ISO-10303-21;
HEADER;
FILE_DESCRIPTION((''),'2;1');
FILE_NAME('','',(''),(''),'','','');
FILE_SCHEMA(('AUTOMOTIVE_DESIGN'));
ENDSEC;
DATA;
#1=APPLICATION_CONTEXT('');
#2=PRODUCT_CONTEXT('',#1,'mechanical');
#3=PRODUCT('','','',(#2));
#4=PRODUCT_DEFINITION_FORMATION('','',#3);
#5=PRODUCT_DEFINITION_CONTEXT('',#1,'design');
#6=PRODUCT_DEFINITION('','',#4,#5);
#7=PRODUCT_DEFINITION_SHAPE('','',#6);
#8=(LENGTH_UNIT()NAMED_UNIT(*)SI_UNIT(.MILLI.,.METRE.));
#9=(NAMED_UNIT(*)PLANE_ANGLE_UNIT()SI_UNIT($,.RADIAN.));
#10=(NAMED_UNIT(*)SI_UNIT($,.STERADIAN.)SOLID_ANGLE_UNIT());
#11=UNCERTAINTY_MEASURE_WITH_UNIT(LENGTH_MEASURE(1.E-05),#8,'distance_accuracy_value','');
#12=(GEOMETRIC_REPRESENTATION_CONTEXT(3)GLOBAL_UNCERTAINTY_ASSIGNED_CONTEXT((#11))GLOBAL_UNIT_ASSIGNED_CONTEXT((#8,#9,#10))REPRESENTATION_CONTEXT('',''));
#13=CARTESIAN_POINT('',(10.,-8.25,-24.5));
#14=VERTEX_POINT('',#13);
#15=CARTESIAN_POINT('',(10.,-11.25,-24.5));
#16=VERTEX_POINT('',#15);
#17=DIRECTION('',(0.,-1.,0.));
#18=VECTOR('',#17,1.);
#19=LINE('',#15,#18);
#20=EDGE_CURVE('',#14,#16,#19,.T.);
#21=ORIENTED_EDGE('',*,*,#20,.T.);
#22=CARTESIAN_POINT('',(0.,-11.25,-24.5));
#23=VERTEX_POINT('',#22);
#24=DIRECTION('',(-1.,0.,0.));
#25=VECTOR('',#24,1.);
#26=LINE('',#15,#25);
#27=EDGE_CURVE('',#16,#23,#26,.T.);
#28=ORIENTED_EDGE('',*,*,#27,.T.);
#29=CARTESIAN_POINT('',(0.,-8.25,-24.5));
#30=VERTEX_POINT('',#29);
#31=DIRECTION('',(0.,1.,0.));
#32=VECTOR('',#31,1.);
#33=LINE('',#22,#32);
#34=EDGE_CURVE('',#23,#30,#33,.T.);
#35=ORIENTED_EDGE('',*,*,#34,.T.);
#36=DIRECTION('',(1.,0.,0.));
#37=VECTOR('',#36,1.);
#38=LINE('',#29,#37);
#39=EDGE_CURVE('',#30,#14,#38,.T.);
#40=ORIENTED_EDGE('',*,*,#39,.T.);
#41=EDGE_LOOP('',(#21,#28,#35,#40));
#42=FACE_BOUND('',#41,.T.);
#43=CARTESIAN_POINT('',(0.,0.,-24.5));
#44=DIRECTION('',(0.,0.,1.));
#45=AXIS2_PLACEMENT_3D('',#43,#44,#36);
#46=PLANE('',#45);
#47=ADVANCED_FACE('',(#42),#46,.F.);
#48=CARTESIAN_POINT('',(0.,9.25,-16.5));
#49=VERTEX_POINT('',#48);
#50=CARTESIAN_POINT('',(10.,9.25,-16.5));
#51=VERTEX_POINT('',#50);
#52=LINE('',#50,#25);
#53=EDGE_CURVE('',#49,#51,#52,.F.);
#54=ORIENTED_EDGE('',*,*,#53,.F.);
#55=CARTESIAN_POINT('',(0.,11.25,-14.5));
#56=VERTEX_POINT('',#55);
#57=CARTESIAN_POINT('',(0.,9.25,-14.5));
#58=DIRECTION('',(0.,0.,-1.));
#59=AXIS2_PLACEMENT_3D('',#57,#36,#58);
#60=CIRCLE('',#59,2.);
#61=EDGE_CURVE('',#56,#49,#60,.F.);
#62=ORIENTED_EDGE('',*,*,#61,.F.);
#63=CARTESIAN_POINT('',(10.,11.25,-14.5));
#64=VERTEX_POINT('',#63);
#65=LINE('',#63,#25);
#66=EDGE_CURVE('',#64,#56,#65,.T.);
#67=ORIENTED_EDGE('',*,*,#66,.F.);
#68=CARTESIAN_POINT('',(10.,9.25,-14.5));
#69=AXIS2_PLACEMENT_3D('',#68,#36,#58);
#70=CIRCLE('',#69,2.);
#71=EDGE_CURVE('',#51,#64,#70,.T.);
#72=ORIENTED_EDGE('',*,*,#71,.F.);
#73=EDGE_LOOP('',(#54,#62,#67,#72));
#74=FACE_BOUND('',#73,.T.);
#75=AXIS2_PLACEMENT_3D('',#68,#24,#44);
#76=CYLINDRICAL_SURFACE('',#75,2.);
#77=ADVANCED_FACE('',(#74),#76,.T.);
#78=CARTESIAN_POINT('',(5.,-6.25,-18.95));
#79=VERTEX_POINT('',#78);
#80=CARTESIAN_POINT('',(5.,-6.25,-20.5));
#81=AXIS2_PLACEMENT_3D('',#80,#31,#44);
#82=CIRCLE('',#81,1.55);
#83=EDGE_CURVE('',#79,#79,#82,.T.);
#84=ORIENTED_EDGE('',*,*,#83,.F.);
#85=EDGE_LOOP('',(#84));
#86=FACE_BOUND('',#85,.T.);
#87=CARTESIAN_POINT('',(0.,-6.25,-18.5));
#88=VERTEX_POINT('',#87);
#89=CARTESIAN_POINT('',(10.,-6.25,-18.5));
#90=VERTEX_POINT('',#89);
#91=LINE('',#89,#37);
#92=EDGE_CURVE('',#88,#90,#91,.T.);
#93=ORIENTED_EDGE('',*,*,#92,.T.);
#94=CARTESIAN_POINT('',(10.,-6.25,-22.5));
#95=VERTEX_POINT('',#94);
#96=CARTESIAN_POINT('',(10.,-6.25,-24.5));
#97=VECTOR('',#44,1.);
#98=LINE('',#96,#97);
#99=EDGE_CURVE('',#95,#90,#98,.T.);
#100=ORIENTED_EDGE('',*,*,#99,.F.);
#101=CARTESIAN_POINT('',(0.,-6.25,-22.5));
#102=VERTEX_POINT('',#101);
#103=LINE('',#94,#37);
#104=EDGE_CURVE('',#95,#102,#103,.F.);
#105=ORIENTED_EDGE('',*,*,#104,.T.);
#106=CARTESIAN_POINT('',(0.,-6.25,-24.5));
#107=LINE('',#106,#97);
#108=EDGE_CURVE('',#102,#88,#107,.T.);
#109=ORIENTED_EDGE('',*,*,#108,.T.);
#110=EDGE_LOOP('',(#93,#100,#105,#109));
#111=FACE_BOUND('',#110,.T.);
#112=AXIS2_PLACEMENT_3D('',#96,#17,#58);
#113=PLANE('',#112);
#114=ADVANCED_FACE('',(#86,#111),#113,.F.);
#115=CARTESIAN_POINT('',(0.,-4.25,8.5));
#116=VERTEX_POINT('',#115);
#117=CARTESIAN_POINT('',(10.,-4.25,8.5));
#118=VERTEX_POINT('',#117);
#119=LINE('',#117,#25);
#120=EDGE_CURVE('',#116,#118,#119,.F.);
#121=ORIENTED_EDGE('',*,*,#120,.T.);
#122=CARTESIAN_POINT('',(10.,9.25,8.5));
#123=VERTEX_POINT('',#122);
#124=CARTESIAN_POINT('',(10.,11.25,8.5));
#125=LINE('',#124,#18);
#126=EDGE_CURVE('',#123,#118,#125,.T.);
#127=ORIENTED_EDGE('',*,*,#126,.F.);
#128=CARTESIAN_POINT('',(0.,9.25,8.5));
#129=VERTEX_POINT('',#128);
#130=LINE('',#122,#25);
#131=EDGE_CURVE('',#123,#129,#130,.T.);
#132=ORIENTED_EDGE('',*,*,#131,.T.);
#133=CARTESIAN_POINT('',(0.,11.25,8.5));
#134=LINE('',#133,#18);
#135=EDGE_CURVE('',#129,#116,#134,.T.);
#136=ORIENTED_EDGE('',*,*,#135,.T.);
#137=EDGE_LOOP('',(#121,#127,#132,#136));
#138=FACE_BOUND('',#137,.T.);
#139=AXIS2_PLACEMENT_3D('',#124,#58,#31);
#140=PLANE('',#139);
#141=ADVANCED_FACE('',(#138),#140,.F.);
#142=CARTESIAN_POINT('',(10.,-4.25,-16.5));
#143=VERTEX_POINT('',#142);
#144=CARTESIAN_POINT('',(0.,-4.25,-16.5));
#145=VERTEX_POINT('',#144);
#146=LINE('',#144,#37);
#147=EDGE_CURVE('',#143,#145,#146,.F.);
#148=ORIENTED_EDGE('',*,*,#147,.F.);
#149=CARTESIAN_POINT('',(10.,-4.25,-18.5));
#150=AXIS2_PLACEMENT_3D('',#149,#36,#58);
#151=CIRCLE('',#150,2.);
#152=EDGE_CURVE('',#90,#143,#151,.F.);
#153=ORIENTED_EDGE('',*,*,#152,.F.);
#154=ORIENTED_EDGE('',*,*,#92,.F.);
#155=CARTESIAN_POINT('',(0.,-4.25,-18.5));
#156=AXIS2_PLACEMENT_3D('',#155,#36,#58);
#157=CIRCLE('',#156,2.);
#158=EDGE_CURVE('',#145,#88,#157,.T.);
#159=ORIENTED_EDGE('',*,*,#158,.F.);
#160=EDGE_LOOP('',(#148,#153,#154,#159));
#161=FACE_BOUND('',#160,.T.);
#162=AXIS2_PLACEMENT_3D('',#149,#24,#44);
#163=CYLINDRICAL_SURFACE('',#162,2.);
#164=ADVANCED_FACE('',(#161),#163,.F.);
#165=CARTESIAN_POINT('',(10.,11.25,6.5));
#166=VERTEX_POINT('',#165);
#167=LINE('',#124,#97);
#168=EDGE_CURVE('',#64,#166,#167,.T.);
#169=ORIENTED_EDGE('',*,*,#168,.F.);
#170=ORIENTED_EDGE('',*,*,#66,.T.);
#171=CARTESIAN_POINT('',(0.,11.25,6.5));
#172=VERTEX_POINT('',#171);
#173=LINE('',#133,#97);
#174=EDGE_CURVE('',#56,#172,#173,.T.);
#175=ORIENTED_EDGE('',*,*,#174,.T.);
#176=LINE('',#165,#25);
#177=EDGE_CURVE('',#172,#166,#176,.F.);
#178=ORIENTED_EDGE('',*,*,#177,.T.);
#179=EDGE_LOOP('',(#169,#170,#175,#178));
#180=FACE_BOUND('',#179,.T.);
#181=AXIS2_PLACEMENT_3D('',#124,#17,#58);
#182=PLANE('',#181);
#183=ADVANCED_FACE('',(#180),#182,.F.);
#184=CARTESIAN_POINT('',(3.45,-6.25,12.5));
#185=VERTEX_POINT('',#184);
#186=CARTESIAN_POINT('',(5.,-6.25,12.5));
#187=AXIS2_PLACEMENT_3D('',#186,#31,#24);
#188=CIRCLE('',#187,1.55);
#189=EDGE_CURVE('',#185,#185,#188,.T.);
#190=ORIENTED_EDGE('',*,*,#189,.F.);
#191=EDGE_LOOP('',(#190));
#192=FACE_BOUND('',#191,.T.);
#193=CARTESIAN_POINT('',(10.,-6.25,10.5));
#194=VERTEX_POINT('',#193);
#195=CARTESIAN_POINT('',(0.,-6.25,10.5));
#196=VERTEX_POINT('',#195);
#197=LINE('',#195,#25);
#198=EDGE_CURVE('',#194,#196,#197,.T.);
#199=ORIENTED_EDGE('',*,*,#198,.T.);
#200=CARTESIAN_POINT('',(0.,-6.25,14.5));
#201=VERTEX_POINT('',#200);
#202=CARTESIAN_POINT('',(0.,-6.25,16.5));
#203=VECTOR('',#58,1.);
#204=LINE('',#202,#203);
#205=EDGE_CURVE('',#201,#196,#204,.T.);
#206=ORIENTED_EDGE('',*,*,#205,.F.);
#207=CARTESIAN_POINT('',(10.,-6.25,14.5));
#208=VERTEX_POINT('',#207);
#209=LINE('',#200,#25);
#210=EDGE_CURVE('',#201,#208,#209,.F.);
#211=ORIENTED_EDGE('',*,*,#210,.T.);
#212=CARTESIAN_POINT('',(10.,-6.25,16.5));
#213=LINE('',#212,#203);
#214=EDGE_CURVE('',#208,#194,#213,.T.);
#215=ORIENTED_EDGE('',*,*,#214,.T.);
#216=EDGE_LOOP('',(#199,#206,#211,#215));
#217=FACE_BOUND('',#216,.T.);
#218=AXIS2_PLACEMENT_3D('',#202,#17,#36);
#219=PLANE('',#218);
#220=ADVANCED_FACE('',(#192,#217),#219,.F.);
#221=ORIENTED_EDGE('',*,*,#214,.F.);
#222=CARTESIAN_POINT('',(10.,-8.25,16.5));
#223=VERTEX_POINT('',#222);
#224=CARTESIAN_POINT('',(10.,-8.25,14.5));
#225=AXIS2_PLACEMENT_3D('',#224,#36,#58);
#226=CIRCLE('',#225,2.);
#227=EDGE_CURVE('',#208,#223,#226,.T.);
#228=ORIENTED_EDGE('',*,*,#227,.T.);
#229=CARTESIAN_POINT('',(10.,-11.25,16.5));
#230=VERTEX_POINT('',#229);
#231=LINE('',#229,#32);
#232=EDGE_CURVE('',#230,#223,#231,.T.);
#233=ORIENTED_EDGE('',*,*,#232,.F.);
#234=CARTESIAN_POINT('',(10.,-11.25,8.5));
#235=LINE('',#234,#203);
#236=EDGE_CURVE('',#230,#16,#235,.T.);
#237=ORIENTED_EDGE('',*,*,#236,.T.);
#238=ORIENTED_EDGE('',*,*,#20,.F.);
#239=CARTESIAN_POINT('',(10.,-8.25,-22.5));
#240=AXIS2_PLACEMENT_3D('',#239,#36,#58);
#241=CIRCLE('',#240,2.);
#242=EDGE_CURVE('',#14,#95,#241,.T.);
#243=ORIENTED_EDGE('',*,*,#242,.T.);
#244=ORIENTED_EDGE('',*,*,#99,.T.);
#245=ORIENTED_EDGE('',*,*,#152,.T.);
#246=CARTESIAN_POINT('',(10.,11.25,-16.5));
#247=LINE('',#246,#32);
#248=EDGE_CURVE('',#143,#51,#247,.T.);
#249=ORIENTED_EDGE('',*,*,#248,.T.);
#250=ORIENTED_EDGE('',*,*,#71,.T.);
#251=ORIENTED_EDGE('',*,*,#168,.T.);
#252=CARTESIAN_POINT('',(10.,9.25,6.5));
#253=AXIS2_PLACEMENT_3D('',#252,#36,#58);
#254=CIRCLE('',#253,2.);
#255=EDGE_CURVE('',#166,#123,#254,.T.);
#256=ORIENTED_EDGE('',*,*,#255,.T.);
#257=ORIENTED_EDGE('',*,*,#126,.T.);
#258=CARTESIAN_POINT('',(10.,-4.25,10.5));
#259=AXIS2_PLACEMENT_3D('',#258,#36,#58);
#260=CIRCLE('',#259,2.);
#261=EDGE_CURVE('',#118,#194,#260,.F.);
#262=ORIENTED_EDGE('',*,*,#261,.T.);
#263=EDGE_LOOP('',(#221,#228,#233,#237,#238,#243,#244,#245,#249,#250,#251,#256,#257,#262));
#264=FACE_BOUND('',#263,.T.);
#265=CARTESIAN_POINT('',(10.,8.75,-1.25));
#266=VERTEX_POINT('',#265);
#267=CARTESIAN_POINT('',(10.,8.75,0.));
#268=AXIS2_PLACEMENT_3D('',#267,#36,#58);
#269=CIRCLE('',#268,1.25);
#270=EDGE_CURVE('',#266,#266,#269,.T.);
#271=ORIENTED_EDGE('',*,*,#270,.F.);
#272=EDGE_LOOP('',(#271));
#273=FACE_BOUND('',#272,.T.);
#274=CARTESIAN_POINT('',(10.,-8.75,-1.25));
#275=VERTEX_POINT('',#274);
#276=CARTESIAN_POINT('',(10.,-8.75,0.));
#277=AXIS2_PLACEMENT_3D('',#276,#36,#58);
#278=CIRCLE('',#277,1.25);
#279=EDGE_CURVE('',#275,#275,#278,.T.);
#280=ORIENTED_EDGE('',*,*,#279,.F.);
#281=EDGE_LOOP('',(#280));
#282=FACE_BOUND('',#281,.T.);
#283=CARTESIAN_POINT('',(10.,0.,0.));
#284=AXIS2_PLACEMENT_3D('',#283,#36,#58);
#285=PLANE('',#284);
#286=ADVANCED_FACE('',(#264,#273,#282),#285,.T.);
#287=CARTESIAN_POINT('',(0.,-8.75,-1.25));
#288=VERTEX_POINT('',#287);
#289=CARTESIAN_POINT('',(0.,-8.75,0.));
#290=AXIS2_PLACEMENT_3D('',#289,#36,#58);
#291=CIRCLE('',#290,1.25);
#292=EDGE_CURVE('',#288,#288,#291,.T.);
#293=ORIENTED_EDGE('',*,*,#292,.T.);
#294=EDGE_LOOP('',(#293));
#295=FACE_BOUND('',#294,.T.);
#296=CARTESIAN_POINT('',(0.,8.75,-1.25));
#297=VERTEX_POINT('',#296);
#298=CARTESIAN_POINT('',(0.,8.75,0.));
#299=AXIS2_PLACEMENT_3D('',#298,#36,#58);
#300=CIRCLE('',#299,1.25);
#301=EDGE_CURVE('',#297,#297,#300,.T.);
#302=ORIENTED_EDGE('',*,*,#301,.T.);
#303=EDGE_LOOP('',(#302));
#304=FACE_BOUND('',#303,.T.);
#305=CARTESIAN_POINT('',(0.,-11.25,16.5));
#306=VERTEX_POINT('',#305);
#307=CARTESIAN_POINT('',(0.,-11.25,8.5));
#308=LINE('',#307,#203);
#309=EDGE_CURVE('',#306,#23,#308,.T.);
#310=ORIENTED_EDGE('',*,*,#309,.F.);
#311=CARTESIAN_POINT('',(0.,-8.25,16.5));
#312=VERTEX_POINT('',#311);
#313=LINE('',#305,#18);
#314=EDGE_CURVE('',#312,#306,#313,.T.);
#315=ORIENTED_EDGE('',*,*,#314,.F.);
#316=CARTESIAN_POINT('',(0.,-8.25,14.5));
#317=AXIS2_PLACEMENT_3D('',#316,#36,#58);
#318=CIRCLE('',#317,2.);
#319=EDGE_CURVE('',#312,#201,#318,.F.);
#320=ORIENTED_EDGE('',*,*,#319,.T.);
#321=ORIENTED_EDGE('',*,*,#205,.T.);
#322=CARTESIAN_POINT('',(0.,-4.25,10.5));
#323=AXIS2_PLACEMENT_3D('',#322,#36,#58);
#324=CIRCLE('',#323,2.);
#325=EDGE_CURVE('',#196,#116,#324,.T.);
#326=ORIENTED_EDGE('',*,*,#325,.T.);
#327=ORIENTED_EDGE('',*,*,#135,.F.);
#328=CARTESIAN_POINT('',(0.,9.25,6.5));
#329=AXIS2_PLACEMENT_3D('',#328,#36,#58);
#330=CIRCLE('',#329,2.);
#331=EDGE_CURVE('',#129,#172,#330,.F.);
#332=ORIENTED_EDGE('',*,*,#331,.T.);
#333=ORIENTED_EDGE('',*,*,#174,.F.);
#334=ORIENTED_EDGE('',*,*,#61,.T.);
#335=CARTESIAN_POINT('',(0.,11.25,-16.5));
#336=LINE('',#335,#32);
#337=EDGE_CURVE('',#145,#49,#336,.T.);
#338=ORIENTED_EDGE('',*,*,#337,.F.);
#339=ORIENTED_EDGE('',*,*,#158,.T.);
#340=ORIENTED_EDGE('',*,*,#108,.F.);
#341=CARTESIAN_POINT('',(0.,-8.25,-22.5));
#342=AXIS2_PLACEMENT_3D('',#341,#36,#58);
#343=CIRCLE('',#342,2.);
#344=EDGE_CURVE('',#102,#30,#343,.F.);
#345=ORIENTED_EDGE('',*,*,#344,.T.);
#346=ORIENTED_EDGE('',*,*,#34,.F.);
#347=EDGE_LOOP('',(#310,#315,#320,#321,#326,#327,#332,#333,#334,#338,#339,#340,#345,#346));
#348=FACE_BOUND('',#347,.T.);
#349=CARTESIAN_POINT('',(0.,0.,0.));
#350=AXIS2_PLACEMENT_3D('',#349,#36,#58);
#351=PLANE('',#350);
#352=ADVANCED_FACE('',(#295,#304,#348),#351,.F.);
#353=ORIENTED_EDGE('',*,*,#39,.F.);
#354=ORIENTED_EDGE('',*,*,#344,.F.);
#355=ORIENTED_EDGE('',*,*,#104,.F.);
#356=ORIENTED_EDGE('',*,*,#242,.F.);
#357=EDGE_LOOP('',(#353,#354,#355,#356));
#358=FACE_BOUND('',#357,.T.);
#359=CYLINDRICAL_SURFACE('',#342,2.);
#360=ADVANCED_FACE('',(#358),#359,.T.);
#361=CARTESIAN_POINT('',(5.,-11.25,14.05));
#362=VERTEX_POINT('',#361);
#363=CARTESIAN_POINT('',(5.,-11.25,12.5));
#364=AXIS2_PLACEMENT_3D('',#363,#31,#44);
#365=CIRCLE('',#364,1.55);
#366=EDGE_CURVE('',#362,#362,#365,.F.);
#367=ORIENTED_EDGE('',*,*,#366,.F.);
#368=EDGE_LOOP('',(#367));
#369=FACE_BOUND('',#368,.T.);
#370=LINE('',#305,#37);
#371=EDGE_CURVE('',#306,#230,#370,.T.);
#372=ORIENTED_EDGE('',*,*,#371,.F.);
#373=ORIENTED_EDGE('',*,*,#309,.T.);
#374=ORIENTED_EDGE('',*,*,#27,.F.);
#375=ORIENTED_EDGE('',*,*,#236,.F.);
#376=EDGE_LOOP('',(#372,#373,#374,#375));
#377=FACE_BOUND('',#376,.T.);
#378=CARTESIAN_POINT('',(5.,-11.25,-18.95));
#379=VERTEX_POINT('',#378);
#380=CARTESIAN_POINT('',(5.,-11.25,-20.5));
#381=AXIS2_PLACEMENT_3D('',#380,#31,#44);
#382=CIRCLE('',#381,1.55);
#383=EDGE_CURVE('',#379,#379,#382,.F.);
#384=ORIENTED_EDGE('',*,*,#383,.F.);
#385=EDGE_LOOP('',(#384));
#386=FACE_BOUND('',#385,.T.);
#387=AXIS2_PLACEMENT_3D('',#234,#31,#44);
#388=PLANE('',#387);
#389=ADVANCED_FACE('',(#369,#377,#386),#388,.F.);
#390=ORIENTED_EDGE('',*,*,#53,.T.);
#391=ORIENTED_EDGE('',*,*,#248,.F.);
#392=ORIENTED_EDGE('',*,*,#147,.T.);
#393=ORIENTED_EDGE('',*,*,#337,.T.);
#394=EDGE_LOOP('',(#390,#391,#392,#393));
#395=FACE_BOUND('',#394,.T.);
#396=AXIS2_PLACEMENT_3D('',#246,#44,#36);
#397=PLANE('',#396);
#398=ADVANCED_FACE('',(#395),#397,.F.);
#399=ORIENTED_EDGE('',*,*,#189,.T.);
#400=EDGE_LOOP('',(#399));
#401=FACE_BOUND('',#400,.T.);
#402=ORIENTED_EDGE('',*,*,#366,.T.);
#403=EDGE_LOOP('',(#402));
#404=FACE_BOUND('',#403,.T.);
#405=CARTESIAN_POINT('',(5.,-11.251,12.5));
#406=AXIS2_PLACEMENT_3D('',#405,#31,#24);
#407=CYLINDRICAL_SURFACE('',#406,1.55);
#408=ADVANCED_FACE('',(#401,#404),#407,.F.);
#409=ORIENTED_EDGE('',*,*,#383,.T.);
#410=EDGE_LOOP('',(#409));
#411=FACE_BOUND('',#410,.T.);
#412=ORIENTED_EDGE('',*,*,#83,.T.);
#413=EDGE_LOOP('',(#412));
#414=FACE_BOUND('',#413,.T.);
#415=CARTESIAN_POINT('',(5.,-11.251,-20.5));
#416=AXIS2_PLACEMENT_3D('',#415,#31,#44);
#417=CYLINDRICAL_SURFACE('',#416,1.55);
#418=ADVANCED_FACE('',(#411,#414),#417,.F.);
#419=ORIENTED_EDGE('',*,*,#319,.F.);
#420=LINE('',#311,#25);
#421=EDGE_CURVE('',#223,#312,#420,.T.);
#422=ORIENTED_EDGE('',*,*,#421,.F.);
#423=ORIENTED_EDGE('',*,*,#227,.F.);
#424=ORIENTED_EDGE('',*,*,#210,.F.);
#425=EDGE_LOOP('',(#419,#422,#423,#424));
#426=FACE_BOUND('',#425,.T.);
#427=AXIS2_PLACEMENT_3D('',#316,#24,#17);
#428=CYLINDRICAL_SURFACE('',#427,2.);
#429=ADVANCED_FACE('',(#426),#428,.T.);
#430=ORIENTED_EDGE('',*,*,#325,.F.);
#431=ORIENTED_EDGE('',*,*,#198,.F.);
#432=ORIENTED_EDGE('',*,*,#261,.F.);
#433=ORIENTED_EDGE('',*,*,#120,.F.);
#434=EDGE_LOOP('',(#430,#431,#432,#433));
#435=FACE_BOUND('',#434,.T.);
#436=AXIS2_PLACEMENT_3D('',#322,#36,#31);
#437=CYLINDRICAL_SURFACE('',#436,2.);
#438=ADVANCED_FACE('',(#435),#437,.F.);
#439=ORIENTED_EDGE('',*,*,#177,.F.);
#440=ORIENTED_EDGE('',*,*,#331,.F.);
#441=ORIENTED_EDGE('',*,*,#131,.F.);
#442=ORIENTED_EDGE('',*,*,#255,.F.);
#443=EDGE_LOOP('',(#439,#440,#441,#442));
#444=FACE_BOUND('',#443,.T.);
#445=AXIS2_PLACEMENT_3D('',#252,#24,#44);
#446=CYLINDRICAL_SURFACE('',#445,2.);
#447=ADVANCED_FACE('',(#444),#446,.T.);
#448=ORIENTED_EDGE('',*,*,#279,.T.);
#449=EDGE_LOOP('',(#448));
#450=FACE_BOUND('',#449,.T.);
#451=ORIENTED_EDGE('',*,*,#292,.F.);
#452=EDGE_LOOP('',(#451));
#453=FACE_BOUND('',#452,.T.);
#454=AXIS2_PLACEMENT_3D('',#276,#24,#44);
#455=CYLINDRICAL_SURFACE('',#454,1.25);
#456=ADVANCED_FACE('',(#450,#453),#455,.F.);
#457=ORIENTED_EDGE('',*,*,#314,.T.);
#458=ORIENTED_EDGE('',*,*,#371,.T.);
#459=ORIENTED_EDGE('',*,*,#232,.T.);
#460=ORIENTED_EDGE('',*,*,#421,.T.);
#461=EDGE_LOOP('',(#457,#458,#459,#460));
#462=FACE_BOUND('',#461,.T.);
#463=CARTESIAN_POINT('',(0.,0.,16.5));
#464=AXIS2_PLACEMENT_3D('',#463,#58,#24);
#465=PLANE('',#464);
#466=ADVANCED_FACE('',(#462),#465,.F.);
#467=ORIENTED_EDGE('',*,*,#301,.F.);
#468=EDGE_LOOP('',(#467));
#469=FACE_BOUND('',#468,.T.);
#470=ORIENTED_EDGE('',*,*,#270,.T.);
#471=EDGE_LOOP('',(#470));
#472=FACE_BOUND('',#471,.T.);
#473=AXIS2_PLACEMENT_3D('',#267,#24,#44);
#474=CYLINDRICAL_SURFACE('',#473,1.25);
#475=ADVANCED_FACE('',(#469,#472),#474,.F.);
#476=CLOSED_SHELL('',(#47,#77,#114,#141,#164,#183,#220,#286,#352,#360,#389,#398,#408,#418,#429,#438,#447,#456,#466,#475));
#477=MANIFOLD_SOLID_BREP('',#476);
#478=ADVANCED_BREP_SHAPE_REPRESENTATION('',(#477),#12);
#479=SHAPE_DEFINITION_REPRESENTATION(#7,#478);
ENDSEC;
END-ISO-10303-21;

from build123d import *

# Parameters (mm, degrees)
SKETCH1_W           = 25
SKETCH1_H           = 22.5
SKETCH1_R           = 1.25
BOSS_EXTRUDE1_DEPTH = 10
SKETCH4_W           = 10
SKETCH4_H           = 5
BOSS_EXTRUDE3_DEPTH = 8
SKETCH5_W           = 10
SKETCH5_H           = 5
BOSS_EXTRUDE4_DEPTH = 8
FILLET1_R           = 2
CUT_EXTRUDE1_REACH  = 7
SKETCH6_R           = 1.55
CUT_EXTRUDE2_REACH  = 7
SKETCH7_R           = 1.55


with BuildPart() as part:
    # Sketch1 → Boss-Extrude1 (new body)
    with BuildSketch(Plane(origin=(0, 0, 0), x_dir=(0, 0, -1), z_dir=(1, 0, 0))):
        with Locations((4, 0)):
            Rectangle(SKETCH1_W, SKETCH1_H)
        with Locations((0, 8.75)):
            Circle(SKETCH1_R, mode=Mode.SUBTRACT)
        with Locations((0, -8.75)):
            Circle(SKETCH1_R, mode=Mode.SUBTRACT)
    extrude(amount=BOSS_EXTRUDE1_DEPTH)

    # Sketch4 → Boss-Extrude3 (add)
    with BuildSketch(Plane(origin=(0, 0, -16.5), x_dir=(-1, 0, 0), z_dir=(0, 0, -1))):
        with Locations((-5, -8.75)):
            Rectangle(SKETCH4_W, SKETCH4_H)
    extrude(amount=BOSS_EXTRUDE3_DEPTH)

    # Sketch5 → Boss-Extrude4 (add)
    with BuildSketch(Plane.XY.offset(8.5)):
        with Locations((5, -8.75)):
            Rectangle(SKETCH5_W, SKETCH5_H)
    extrude(amount=BOSS_EXTRUDE4_DEPTH)

    # Fillet1
    fillet1_edges = [part.edges().sort_by_distance(p)[0] for p in [
        (5, -6.25, 8.5),
        (5, -6.25, 16.5),
        (5, -6.25, -24.5),
        (5, -6.25, -16.5),
        (5, 11.25, -16.5),
        (5, 11.25, 8.5),
    ]]
    fillet(fillet1_edges, radius=FILLET1_R)

    # Sketch6 → Cut-Extrude1 (cut, up to next)
    with BuildSketch(Plane(origin=(0, -6.25, 0), x_dir=(1, 0, 0), z_dir=(0, 1, 0)), mode=Mode.PRIVATE) as cut_extrude1_sk1:
        with Locations((5, -12.5)):
            Circle(SKETCH6_R)
    cut_extrude1_tool1 = extrude(cut_extrude1_sk1.sketch, amount=-CUT_EXTRUDE1_REACH, mode=Mode.PRIVATE) & part.part
    add(cut_extrude1_tool1.solids().sort_by_distance((5, -6.25, 12.5))[0], mode=Mode.SUBTRACT)

    # Sketch7 → Cut-Extrude2 (cut, up to next)
    with BuildSketch(Plane(origin=(0, -6.25, 0), x_dir=(1, 0, 0), z_dir=(0, 1, 0)), mode=Mode.PRIVATE) as cut_extrude2_sk1:
        with Locations((5, 20.5)):
            Circle(SKETCH7_R)
    cut_extrude2_tool1 = extrude(cut_extrude2_sk1.sketch, amount=-CUT_EXTRUDE2_REACH, mode=Mode.PRIVATE) & part.part
    add(cut_extrude2_tool1.solids().sort_by_distance((5, -6.25, -20.5))[0], mode=Mode.SUBTRACT)


solid = part.part
